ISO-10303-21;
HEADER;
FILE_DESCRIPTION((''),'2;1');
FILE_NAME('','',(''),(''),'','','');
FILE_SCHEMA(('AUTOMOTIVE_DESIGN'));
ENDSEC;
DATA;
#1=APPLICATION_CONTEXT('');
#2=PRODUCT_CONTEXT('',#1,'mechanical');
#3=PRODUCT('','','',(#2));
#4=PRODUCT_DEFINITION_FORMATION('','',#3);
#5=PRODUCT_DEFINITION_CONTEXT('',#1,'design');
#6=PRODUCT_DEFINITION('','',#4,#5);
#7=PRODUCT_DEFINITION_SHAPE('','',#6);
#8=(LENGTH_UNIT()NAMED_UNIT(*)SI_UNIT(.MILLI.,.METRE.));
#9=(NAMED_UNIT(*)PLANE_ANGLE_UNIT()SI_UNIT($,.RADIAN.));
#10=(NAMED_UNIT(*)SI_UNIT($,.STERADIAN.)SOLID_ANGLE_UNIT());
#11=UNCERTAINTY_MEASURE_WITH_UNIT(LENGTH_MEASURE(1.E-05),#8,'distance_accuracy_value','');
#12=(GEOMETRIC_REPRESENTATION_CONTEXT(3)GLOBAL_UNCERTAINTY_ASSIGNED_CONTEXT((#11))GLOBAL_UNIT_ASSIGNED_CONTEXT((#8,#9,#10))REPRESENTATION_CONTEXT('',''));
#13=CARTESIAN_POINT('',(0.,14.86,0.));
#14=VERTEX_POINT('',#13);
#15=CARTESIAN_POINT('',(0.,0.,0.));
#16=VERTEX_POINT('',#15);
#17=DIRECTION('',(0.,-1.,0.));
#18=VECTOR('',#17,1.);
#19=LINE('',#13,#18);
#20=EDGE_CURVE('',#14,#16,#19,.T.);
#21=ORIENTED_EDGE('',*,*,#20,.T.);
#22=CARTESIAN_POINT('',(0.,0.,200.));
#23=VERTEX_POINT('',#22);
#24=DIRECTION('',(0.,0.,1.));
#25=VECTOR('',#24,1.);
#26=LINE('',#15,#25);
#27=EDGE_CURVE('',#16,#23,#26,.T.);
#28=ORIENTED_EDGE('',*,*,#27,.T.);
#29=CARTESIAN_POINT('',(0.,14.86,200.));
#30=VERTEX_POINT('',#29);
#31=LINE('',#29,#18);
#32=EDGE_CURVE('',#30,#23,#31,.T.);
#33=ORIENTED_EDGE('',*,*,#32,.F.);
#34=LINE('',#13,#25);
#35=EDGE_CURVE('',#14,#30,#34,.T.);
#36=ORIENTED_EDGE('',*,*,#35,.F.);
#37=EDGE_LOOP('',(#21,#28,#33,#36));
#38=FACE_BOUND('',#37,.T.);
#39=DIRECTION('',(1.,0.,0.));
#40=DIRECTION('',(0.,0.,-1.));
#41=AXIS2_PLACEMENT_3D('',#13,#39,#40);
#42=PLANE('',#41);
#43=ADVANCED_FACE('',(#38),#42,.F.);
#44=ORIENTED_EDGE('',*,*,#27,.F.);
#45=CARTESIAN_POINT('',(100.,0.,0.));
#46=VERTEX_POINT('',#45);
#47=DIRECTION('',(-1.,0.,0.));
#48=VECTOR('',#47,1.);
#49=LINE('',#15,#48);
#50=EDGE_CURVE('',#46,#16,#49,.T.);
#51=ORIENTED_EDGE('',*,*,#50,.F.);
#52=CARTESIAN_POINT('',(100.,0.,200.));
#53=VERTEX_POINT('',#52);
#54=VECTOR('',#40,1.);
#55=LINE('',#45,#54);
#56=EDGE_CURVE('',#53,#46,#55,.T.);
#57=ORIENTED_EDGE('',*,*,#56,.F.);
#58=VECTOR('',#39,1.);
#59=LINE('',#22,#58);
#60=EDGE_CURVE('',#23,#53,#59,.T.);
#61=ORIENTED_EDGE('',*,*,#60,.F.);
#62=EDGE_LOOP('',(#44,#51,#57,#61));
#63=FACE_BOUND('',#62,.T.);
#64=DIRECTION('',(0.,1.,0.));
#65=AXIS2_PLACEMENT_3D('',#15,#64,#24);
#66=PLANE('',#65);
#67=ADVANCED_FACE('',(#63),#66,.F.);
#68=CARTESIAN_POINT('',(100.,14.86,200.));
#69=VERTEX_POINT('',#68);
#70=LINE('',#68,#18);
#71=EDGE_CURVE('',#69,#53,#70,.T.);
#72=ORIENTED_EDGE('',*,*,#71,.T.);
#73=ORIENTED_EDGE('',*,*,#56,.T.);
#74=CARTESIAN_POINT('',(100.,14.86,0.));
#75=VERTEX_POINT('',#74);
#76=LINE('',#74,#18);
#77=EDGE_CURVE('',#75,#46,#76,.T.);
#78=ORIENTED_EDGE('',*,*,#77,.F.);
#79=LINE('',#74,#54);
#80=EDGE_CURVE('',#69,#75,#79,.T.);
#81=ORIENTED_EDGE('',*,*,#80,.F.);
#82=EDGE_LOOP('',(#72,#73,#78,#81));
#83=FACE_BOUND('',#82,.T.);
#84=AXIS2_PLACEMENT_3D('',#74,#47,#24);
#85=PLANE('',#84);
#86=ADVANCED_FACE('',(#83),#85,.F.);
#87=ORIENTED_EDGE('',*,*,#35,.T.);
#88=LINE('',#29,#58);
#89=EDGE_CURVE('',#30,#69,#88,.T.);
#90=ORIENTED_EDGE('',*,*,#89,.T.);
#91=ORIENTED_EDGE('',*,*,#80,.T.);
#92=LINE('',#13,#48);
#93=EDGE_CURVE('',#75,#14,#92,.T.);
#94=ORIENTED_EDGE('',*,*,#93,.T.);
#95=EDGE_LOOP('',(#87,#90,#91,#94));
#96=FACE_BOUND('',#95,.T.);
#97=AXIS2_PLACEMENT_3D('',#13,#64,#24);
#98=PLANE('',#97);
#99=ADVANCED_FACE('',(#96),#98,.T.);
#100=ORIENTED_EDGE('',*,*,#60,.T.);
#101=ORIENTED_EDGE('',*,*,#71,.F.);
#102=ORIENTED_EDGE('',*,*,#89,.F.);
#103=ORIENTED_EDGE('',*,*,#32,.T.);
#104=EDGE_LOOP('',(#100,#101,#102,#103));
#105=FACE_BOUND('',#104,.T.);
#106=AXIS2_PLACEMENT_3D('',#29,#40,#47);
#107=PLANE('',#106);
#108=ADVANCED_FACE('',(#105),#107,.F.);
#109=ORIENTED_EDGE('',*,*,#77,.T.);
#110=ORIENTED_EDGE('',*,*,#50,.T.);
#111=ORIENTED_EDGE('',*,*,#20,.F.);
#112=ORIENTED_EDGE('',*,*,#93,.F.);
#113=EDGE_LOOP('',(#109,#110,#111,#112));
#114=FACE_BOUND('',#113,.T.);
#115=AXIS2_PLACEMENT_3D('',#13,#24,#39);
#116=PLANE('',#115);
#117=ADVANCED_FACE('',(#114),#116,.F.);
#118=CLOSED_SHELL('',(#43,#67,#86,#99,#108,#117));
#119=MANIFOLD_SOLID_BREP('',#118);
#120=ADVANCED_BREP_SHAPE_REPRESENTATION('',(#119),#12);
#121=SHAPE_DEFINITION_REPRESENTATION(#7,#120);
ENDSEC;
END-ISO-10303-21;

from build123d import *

# Parameters (mm, degrees)
L_U_BR_W             = 100
L_U_BR_H             = 200
AUFSATZ_LIN_GK_DEPTH = 14.86


with BuildPart() as part:
    # L_ u Br → Aufsatz-Lin_GK (new body)
    with BuildSketch(Plane(origin=(0, 0, 0), x_dir=(1, 0, 0), z_dir=(0, 1, 0))):
        with Locations((50, -100)):
            Rectangle(L_U_BR_W, L_U_BR_H)
    extrude(amount=AUFSATZ_LIN_GK_DEPTH)


solid = part.part
